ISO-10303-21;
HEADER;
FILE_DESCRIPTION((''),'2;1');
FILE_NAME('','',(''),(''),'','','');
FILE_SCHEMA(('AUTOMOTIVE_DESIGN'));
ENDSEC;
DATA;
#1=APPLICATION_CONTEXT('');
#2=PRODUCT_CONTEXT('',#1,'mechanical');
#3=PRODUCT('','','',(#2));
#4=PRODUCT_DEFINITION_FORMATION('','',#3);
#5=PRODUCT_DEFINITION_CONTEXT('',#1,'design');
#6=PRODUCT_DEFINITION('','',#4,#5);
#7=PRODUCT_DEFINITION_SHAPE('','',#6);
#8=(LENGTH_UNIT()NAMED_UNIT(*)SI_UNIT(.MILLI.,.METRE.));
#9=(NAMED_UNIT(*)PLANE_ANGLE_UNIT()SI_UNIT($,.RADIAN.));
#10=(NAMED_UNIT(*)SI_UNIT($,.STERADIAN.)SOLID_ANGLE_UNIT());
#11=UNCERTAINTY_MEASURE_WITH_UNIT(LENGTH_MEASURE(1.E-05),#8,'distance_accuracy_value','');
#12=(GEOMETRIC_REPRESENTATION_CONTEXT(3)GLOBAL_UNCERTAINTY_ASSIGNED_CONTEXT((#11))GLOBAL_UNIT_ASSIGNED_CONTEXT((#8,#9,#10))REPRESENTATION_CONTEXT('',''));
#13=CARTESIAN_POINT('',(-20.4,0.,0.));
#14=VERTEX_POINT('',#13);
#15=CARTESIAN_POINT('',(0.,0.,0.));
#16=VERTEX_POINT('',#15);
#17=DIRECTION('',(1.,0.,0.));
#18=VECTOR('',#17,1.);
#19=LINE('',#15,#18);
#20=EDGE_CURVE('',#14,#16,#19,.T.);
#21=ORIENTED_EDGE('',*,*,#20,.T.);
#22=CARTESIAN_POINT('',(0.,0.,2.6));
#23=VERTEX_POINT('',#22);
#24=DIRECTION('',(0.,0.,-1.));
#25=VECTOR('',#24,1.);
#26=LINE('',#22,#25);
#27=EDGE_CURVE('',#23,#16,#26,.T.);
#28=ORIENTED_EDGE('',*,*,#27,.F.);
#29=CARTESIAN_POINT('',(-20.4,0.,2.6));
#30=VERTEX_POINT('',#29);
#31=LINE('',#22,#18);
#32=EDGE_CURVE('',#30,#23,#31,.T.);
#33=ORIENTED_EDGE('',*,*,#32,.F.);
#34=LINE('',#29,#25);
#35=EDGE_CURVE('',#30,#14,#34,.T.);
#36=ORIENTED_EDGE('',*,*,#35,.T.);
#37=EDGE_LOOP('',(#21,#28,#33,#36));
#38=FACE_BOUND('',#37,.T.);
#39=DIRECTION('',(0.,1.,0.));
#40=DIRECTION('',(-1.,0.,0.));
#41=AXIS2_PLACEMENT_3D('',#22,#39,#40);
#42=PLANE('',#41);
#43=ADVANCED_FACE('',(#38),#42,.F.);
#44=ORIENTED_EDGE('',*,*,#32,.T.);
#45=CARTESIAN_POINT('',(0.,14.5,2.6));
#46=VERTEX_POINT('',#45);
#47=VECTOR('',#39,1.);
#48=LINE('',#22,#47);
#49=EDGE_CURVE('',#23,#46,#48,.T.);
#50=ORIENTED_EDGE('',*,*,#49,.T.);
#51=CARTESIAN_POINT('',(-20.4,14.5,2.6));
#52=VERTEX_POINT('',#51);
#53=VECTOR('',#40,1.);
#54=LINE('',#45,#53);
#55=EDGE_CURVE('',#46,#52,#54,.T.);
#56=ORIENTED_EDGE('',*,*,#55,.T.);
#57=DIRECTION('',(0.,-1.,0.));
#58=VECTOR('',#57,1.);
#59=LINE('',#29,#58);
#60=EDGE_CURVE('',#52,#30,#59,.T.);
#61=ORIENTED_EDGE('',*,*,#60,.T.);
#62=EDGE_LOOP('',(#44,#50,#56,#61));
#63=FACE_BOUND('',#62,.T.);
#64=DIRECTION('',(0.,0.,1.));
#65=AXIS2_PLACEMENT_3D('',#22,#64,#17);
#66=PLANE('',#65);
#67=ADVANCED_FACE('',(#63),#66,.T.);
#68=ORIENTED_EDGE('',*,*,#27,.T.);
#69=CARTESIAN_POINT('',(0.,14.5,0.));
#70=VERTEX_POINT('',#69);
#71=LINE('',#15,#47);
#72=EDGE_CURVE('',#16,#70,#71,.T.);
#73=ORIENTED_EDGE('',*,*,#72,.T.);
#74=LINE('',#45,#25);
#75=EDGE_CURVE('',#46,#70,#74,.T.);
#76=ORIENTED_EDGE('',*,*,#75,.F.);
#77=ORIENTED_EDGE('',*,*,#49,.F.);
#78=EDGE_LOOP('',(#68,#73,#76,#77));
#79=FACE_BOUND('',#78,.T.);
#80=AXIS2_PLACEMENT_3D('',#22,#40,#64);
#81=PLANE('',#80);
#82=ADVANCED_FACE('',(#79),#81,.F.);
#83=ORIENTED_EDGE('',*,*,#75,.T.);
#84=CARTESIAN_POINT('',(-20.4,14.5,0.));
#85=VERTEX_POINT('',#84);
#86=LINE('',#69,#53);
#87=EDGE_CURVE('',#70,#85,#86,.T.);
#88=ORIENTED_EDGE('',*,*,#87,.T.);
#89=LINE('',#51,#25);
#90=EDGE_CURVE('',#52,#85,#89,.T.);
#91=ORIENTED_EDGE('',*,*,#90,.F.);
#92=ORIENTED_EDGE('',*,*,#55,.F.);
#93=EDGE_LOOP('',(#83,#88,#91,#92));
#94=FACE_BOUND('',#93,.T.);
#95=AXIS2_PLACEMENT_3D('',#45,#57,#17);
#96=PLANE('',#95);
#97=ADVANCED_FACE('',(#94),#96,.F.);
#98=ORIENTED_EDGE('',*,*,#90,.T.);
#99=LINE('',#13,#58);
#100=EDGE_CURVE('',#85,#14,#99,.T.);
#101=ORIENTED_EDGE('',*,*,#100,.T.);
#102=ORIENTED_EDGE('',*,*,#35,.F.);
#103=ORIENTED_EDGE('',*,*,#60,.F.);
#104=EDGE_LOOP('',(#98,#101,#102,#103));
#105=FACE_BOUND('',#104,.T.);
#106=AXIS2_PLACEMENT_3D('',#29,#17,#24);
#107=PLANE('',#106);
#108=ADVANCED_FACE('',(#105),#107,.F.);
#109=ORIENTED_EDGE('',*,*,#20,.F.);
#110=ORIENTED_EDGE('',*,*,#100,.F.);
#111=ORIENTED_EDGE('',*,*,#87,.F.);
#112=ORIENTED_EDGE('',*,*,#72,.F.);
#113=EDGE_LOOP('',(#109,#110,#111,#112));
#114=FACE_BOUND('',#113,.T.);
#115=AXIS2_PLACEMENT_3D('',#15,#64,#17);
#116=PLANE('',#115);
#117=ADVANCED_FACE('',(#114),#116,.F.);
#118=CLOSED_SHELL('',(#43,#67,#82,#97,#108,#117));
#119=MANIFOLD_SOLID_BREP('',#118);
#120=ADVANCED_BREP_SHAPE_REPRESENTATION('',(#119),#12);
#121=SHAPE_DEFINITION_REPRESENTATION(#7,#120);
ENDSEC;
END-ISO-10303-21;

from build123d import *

# Parameters (mm, degrees)
ESBO_O1_W                = 20.4
ESBO_O1_H                = 14.5
RESSALTO_EXTRUS_O1_DEPTH = 2.6


with BuildPart() as part:
    # Esboço1 → Ressalto-extrusão1 (new body)
    with BuildSketch(Plane.XY):
        with Locations((-10.2, 7.25)):
            Rectangle(ESBO_O1_W, ESBO_O1_H)
    extrude(amount=RESSALTO_EXTRUS_O1_DEPTH)


solid = part.part
